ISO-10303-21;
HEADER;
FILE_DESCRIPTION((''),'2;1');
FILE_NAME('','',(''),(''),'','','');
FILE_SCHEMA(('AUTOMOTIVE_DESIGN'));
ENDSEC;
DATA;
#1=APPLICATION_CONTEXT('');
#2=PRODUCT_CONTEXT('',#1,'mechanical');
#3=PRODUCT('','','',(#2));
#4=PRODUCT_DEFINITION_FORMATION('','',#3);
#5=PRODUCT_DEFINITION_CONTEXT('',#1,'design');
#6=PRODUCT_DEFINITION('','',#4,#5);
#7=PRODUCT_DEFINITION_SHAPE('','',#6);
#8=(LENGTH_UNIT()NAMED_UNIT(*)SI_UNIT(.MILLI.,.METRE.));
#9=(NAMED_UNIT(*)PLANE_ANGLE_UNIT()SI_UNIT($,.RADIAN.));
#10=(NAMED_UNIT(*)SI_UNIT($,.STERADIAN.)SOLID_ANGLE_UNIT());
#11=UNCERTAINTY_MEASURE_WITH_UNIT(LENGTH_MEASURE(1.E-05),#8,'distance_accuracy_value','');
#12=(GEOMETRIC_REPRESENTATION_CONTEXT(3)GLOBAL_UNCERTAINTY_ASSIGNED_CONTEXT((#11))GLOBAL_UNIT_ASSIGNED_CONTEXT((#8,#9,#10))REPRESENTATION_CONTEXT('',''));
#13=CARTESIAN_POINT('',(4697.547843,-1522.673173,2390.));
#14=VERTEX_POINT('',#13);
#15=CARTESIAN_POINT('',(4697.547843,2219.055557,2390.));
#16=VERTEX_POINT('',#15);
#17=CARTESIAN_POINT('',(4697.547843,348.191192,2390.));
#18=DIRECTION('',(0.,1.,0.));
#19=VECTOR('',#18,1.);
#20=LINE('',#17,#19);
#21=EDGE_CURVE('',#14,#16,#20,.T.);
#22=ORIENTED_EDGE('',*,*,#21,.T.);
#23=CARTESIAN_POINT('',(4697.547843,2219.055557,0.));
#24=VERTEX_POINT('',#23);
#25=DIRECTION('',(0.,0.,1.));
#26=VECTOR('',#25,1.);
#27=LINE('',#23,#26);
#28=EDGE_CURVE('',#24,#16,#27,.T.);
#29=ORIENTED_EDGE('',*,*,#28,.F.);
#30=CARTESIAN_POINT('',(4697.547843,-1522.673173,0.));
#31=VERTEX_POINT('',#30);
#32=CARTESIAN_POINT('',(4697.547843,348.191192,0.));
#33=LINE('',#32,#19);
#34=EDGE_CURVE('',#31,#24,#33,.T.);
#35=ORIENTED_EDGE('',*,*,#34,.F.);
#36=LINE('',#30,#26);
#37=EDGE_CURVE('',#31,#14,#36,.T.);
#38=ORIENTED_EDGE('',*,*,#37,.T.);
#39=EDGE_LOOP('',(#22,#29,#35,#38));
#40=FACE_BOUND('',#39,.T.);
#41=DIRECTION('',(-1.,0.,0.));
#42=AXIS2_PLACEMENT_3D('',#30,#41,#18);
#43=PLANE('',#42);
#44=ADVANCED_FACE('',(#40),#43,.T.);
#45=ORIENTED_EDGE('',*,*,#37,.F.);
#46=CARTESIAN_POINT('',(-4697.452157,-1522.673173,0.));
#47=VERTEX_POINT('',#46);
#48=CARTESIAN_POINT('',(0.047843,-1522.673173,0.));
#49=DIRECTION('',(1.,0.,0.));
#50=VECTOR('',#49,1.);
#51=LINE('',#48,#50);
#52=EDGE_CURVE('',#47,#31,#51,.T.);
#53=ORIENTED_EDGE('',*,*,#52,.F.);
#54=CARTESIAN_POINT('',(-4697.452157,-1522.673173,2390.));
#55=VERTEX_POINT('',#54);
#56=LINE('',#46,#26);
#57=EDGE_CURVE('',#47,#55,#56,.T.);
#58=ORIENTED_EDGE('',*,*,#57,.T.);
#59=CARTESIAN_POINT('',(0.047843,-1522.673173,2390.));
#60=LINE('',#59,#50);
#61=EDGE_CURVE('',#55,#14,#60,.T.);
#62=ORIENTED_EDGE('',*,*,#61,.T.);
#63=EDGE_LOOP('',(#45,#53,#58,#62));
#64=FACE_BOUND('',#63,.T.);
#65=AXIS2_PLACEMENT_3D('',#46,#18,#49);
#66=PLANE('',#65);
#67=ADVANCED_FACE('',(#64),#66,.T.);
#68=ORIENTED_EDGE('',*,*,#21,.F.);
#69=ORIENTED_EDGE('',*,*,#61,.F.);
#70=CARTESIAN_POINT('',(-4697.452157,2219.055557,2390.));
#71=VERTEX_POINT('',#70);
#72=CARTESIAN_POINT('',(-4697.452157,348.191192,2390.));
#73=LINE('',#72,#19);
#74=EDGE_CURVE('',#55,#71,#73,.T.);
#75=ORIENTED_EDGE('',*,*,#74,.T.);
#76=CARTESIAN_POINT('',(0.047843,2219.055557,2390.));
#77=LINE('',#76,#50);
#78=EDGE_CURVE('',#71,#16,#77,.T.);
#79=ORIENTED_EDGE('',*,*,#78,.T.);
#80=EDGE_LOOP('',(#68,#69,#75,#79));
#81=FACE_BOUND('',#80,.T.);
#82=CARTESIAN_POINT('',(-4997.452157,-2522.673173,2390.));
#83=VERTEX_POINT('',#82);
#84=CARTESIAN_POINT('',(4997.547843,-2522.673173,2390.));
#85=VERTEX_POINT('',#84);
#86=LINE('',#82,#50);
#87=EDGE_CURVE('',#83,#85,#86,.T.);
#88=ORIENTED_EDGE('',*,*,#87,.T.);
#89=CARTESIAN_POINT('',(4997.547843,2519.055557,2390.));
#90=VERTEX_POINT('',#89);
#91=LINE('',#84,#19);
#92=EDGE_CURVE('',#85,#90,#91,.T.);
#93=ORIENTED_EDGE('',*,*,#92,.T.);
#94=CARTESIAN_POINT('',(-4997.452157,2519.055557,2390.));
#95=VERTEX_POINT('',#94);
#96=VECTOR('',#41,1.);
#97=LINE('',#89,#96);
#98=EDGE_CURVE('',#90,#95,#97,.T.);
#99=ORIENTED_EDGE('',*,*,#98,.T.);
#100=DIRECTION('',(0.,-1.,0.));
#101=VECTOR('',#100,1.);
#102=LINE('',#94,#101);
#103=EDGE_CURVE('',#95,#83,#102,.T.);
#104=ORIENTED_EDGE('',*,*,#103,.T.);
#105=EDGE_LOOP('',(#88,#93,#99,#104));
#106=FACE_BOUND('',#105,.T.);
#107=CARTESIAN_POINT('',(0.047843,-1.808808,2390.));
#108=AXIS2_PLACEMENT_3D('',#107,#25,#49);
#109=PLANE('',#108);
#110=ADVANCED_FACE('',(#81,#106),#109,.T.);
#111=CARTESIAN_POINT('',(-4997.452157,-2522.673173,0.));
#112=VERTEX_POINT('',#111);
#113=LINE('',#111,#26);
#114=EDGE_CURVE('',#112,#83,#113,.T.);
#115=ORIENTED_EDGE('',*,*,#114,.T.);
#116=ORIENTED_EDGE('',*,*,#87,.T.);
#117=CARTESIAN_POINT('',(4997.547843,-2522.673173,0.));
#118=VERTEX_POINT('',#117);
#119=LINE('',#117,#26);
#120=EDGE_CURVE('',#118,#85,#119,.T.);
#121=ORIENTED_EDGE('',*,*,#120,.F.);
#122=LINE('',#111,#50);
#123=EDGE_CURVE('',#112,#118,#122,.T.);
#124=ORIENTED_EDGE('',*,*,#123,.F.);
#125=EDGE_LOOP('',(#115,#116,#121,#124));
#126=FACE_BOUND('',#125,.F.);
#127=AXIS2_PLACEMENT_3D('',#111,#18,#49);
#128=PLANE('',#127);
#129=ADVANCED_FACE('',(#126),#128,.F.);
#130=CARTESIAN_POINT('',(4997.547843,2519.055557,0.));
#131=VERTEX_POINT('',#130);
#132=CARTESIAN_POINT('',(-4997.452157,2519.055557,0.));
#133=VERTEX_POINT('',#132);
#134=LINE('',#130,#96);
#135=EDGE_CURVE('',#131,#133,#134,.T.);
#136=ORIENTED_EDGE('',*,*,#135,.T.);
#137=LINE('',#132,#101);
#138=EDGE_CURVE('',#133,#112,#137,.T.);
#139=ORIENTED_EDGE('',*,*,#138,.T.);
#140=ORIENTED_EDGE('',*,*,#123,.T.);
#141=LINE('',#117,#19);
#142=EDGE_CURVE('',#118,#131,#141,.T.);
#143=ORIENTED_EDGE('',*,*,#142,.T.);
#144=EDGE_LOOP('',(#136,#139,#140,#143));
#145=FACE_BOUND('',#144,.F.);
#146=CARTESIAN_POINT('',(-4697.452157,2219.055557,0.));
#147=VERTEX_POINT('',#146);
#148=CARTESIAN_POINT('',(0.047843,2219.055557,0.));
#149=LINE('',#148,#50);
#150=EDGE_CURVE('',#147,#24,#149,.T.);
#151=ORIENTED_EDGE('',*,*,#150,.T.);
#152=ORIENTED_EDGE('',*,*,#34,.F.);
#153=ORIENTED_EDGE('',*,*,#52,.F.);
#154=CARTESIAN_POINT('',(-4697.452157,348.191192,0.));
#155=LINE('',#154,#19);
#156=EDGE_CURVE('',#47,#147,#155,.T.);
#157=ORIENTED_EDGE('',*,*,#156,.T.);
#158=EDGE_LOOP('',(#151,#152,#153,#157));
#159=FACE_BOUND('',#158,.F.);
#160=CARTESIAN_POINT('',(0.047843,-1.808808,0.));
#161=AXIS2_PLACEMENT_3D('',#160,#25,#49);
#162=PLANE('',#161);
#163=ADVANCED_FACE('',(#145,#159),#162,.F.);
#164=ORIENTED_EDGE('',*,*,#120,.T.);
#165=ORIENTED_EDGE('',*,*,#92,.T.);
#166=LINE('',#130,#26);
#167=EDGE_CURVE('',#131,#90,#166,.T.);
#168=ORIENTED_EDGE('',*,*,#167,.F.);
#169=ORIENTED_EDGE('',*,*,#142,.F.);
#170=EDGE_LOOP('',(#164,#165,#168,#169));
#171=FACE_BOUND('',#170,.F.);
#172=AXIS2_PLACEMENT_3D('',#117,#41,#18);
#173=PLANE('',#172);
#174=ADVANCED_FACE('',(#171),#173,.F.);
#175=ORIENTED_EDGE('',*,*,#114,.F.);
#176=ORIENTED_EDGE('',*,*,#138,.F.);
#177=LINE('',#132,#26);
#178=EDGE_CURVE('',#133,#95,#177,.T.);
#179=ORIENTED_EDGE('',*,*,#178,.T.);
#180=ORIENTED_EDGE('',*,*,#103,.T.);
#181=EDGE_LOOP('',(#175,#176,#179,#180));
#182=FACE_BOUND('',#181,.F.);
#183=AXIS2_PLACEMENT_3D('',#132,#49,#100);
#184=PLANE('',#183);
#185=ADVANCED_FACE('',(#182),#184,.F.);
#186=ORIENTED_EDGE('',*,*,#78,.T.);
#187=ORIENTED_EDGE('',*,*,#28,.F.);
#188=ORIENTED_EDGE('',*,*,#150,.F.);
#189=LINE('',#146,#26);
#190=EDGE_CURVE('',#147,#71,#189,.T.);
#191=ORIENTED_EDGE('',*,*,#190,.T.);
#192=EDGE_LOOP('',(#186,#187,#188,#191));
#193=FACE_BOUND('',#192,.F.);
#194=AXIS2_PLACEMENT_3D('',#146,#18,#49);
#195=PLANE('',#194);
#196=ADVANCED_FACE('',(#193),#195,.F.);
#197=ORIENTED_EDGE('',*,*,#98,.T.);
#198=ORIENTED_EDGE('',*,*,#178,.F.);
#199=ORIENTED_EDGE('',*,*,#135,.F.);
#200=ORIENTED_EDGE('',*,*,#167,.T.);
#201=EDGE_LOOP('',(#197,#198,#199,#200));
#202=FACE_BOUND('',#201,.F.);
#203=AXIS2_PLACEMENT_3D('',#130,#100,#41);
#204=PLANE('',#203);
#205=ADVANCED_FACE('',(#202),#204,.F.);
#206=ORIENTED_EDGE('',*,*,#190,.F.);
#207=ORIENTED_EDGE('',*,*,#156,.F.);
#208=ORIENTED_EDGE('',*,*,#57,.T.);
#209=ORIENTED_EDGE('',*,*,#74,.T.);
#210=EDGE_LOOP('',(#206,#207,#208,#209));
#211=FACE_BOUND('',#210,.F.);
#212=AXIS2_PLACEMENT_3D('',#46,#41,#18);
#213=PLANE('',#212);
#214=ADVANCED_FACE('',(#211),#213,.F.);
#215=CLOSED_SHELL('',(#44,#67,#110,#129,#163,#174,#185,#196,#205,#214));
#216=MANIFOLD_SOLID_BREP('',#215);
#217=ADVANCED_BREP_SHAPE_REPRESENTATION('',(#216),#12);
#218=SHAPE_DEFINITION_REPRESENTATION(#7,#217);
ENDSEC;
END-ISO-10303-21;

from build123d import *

# Parameters (mm, degrees)
F0_W     = 9395
F0_H     = 3741.72873
F1_DEPTH = 2390
F2_W     = 3362.581372
F2_H     = 1138.33487
F3_DEPTH = 990


with BuildPart() as f1:
    # F0 (on Top) → F1 (new body)
    with BuildSketch(Plane.XY):
        Polygon((4997.547843, 2519.055557), (4697.547843, 2519.055557), (-4997.452157, 2519.055557), (-4997.452157, -1522.673173), (-4997.452157, -2522.673173), (4997.547843, -2522.673173), align=None)
        with Locations((0.047843, 348.191192)):
            Rectangle(F0_W, F0_H, mode=Mode.SUBTRACT)
    extrude(amount=F1_DEPTH)

    # F2 (on face) → F3 (join)
    with BuildSketch(Plane.XZ.offset(2522.673173)):
        with Locations((35.699904, 1213.66781)):
            Rectangle(F2_W, F2_H)
    extrude(amount=-F3_DEPTH)


solid = f1.part
